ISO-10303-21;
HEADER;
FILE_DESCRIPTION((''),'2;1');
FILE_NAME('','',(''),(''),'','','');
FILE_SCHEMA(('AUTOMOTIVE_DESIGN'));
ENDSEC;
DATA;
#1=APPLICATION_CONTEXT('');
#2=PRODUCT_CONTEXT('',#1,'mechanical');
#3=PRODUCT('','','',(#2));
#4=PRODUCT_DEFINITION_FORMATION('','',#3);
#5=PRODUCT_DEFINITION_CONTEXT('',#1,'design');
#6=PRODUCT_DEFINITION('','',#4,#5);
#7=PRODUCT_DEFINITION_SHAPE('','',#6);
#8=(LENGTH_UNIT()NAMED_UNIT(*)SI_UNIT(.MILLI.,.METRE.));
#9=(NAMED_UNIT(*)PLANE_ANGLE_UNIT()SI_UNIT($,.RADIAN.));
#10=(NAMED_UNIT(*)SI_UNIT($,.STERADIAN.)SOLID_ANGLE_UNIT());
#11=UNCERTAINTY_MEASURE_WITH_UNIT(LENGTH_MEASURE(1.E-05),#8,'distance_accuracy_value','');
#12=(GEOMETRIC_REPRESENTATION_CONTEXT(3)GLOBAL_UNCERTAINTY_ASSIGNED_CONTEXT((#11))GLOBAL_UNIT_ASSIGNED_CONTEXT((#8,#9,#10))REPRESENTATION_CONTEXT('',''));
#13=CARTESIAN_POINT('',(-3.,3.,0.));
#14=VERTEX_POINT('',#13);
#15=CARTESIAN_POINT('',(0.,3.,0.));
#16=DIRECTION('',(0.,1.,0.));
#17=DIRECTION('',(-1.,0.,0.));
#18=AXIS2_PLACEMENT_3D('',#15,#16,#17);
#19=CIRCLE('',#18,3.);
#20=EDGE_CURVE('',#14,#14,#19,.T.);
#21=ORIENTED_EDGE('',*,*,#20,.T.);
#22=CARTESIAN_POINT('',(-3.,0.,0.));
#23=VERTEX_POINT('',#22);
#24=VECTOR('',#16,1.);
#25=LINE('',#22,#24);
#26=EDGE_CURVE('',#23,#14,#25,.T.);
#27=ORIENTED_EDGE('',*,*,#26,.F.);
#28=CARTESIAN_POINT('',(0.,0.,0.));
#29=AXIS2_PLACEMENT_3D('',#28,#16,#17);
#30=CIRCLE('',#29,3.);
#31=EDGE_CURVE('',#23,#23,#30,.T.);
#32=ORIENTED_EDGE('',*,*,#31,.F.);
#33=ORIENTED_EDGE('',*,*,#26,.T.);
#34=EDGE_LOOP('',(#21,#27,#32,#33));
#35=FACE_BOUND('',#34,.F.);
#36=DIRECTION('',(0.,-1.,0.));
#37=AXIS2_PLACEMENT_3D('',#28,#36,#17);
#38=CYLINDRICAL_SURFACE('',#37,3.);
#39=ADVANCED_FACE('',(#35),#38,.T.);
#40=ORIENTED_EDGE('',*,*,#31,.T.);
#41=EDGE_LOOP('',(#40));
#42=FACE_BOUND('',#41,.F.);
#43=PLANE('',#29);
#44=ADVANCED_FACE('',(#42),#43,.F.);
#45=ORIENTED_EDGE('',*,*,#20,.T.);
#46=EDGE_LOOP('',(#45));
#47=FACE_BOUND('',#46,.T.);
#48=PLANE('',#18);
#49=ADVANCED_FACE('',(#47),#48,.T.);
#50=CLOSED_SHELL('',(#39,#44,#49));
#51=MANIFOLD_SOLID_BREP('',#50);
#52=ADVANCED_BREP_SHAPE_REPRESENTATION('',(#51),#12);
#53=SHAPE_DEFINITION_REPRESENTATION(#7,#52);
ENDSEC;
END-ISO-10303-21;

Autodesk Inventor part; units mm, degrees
ref_plane "YZ Plane" through (0, 0, 0) normal (1, 0, 0) x (0, 1, 0)
ref_plane "XZ Plane" through (0, 0, 0) normal (0, 1, 0) x (-1, 0, 0)
ref_plane "XY Plane" through (0, 0, 0) normal (0, 0, 1) x (1, 0, 0)
sketch "Sketch1" plane through (0, 0, 0) normal (0, 1, 0) x (-1, 0, 0)
  circle A0 centre (0, 0) radius 3
  dimension "d0" = 6
extrude "Extrusion1" add sketch "Sketch1" along normal blind 3
properties part number "6x3_Magnet" material "Nickel-Copper Alloy 400"
